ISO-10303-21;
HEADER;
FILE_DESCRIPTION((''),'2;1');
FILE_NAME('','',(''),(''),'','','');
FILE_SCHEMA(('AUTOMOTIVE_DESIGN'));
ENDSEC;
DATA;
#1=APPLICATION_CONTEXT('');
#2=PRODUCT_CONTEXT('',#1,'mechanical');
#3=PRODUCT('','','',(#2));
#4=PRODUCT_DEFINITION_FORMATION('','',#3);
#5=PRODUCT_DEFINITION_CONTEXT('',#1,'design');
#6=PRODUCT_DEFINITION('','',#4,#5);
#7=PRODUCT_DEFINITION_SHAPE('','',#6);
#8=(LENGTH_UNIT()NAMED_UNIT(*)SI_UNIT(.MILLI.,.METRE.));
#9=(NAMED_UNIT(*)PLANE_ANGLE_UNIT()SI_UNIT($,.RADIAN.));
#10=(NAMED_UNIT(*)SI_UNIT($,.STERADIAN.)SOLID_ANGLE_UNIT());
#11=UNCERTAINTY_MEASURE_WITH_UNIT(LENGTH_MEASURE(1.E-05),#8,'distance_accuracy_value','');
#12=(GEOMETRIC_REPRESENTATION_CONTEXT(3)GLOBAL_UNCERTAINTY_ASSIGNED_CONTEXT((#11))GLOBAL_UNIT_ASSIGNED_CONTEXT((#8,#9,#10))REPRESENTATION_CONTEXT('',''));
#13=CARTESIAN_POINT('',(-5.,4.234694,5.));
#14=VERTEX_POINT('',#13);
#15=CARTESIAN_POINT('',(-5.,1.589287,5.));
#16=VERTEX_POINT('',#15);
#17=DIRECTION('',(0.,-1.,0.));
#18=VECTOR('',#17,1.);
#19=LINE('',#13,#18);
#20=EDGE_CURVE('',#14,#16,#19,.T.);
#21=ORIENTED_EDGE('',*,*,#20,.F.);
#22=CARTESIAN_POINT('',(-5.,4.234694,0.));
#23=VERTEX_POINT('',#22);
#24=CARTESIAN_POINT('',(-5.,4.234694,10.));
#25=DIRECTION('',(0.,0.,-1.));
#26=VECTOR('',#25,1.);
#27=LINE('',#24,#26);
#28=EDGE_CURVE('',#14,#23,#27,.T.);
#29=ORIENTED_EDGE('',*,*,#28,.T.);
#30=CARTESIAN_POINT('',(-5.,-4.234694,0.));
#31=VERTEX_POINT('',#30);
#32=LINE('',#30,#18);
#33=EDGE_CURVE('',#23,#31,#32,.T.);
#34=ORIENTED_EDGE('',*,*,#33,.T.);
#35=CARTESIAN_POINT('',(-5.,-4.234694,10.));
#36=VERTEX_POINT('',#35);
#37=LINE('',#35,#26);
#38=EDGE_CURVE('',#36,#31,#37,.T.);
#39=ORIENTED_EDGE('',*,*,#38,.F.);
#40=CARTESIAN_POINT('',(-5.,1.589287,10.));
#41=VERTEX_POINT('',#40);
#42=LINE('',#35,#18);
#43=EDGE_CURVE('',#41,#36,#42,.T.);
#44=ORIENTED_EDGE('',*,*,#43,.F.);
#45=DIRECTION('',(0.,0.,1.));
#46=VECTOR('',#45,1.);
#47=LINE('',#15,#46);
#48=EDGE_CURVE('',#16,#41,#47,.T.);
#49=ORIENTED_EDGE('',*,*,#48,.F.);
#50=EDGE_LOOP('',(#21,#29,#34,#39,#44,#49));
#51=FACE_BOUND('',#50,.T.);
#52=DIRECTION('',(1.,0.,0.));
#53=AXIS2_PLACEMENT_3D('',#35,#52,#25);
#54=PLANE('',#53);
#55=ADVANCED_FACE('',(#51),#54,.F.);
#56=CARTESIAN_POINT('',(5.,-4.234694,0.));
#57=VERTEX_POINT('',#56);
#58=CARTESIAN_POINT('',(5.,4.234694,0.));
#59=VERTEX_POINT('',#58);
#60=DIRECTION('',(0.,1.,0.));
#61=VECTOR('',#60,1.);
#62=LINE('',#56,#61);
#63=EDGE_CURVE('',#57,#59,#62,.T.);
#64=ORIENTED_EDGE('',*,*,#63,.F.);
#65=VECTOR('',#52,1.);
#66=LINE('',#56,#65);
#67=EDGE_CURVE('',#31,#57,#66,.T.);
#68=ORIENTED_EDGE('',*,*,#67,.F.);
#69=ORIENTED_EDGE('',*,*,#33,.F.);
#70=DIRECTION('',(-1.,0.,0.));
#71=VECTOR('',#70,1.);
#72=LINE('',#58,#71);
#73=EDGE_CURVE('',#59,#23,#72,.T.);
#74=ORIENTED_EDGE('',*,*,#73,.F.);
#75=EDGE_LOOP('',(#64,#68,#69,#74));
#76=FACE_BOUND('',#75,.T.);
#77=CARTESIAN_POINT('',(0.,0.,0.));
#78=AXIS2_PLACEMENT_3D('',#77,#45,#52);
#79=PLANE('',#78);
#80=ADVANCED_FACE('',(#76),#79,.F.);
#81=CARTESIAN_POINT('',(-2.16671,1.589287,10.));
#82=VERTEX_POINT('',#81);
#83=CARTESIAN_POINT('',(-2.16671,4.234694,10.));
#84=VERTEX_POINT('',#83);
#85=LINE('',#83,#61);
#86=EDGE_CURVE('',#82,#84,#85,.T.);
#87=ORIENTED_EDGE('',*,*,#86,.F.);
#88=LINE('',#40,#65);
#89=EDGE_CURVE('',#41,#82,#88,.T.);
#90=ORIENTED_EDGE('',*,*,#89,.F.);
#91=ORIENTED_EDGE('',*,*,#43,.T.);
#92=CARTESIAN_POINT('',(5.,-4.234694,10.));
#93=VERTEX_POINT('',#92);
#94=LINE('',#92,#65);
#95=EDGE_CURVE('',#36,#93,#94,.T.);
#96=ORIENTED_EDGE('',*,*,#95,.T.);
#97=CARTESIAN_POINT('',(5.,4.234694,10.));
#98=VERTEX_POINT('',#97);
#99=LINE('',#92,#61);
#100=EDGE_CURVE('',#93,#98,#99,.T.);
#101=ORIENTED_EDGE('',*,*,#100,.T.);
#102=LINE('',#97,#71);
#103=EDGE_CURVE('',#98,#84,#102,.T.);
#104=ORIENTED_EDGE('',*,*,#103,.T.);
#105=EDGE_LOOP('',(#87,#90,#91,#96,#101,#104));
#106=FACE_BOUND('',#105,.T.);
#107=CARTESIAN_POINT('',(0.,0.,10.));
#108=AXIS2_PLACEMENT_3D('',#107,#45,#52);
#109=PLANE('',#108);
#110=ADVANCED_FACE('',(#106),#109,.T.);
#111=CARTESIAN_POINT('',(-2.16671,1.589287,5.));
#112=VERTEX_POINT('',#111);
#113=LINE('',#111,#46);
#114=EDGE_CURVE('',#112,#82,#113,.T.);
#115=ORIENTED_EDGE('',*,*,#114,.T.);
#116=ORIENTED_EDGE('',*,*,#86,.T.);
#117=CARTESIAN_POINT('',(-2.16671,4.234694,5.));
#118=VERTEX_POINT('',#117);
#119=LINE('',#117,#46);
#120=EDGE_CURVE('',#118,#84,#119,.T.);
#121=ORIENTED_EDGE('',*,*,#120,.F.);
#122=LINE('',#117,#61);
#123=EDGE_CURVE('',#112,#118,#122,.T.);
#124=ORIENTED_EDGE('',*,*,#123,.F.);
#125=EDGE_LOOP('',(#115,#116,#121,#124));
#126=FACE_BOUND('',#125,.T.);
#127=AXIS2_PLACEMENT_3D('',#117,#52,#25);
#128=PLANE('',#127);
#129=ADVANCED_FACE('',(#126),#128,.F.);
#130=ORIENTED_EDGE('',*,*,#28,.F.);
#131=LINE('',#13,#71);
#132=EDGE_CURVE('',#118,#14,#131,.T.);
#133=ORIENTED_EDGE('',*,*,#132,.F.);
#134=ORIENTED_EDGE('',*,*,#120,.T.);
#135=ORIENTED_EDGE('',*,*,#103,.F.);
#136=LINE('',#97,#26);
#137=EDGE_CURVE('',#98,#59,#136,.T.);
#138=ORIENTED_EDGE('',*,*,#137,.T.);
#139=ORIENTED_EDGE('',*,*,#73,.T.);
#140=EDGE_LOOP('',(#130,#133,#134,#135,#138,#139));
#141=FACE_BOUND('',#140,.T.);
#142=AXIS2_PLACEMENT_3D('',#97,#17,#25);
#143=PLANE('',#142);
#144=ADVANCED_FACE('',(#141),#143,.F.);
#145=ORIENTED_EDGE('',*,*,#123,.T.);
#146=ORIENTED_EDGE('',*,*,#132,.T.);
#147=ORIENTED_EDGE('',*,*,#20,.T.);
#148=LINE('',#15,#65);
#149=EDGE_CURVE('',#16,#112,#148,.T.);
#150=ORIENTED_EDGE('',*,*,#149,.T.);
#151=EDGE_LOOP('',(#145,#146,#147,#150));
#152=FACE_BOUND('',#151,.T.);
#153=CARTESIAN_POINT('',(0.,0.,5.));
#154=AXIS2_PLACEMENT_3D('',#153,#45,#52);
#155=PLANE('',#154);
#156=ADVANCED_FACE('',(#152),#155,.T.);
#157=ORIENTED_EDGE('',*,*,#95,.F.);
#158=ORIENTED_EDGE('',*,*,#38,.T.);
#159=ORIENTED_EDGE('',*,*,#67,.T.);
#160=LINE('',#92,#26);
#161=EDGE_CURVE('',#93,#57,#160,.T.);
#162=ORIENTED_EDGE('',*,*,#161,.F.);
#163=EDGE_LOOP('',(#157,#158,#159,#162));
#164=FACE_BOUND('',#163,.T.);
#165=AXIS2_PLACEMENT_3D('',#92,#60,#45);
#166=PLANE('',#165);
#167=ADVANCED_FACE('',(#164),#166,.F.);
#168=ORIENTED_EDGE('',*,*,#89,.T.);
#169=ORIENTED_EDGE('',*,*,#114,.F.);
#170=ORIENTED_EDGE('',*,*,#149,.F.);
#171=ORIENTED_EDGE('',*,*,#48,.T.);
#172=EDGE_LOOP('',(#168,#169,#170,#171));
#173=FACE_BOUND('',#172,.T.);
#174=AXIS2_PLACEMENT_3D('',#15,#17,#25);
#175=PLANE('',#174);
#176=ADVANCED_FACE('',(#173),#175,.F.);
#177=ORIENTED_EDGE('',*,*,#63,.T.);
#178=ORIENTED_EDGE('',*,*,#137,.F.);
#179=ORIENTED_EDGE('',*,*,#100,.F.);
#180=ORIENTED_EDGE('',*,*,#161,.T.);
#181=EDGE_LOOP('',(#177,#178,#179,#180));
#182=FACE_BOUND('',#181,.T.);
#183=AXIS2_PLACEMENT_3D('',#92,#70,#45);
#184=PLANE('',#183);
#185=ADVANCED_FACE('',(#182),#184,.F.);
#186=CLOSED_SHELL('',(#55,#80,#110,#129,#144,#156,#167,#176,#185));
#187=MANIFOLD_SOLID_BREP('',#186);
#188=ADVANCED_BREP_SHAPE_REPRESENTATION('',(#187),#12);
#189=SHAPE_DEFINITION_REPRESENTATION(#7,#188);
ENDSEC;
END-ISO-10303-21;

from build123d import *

# Parameters (mm, degrees)
SKETCH1_W           = 10
SKETCH1_H           = 8.469387756
BOSS_EXTRUDE1_DEPTH = 10
SKETCH2_W           = 2.833290323
SKETCH2_H           = 2.645406831
CUT_EXTRUDE1_DEPTH  = 5


with BuildPart() as part:
    # Sketch1 → Boss-Extrude1 (new body)
    with BuildSketch(Plane.XY):
        Rectangle(SKETCH1_W, SKETCH1_H)
    extrude(amount=BOSS_EXTRUDE1_DEPTH)

    # Sketch2 → Cut-Extrude1 (cut)
    with BuildSketch(Plane.XY.offset(10)):
        with Locations((-3.583354839, 2.911990462)):
            Rectangle(SKETCH2_W, SKETCH2_H)
    extrude(amount=-CUT_EXTRUDE1_DEPTH, mode=Mode.SUBTRACT)


solid = part.part
